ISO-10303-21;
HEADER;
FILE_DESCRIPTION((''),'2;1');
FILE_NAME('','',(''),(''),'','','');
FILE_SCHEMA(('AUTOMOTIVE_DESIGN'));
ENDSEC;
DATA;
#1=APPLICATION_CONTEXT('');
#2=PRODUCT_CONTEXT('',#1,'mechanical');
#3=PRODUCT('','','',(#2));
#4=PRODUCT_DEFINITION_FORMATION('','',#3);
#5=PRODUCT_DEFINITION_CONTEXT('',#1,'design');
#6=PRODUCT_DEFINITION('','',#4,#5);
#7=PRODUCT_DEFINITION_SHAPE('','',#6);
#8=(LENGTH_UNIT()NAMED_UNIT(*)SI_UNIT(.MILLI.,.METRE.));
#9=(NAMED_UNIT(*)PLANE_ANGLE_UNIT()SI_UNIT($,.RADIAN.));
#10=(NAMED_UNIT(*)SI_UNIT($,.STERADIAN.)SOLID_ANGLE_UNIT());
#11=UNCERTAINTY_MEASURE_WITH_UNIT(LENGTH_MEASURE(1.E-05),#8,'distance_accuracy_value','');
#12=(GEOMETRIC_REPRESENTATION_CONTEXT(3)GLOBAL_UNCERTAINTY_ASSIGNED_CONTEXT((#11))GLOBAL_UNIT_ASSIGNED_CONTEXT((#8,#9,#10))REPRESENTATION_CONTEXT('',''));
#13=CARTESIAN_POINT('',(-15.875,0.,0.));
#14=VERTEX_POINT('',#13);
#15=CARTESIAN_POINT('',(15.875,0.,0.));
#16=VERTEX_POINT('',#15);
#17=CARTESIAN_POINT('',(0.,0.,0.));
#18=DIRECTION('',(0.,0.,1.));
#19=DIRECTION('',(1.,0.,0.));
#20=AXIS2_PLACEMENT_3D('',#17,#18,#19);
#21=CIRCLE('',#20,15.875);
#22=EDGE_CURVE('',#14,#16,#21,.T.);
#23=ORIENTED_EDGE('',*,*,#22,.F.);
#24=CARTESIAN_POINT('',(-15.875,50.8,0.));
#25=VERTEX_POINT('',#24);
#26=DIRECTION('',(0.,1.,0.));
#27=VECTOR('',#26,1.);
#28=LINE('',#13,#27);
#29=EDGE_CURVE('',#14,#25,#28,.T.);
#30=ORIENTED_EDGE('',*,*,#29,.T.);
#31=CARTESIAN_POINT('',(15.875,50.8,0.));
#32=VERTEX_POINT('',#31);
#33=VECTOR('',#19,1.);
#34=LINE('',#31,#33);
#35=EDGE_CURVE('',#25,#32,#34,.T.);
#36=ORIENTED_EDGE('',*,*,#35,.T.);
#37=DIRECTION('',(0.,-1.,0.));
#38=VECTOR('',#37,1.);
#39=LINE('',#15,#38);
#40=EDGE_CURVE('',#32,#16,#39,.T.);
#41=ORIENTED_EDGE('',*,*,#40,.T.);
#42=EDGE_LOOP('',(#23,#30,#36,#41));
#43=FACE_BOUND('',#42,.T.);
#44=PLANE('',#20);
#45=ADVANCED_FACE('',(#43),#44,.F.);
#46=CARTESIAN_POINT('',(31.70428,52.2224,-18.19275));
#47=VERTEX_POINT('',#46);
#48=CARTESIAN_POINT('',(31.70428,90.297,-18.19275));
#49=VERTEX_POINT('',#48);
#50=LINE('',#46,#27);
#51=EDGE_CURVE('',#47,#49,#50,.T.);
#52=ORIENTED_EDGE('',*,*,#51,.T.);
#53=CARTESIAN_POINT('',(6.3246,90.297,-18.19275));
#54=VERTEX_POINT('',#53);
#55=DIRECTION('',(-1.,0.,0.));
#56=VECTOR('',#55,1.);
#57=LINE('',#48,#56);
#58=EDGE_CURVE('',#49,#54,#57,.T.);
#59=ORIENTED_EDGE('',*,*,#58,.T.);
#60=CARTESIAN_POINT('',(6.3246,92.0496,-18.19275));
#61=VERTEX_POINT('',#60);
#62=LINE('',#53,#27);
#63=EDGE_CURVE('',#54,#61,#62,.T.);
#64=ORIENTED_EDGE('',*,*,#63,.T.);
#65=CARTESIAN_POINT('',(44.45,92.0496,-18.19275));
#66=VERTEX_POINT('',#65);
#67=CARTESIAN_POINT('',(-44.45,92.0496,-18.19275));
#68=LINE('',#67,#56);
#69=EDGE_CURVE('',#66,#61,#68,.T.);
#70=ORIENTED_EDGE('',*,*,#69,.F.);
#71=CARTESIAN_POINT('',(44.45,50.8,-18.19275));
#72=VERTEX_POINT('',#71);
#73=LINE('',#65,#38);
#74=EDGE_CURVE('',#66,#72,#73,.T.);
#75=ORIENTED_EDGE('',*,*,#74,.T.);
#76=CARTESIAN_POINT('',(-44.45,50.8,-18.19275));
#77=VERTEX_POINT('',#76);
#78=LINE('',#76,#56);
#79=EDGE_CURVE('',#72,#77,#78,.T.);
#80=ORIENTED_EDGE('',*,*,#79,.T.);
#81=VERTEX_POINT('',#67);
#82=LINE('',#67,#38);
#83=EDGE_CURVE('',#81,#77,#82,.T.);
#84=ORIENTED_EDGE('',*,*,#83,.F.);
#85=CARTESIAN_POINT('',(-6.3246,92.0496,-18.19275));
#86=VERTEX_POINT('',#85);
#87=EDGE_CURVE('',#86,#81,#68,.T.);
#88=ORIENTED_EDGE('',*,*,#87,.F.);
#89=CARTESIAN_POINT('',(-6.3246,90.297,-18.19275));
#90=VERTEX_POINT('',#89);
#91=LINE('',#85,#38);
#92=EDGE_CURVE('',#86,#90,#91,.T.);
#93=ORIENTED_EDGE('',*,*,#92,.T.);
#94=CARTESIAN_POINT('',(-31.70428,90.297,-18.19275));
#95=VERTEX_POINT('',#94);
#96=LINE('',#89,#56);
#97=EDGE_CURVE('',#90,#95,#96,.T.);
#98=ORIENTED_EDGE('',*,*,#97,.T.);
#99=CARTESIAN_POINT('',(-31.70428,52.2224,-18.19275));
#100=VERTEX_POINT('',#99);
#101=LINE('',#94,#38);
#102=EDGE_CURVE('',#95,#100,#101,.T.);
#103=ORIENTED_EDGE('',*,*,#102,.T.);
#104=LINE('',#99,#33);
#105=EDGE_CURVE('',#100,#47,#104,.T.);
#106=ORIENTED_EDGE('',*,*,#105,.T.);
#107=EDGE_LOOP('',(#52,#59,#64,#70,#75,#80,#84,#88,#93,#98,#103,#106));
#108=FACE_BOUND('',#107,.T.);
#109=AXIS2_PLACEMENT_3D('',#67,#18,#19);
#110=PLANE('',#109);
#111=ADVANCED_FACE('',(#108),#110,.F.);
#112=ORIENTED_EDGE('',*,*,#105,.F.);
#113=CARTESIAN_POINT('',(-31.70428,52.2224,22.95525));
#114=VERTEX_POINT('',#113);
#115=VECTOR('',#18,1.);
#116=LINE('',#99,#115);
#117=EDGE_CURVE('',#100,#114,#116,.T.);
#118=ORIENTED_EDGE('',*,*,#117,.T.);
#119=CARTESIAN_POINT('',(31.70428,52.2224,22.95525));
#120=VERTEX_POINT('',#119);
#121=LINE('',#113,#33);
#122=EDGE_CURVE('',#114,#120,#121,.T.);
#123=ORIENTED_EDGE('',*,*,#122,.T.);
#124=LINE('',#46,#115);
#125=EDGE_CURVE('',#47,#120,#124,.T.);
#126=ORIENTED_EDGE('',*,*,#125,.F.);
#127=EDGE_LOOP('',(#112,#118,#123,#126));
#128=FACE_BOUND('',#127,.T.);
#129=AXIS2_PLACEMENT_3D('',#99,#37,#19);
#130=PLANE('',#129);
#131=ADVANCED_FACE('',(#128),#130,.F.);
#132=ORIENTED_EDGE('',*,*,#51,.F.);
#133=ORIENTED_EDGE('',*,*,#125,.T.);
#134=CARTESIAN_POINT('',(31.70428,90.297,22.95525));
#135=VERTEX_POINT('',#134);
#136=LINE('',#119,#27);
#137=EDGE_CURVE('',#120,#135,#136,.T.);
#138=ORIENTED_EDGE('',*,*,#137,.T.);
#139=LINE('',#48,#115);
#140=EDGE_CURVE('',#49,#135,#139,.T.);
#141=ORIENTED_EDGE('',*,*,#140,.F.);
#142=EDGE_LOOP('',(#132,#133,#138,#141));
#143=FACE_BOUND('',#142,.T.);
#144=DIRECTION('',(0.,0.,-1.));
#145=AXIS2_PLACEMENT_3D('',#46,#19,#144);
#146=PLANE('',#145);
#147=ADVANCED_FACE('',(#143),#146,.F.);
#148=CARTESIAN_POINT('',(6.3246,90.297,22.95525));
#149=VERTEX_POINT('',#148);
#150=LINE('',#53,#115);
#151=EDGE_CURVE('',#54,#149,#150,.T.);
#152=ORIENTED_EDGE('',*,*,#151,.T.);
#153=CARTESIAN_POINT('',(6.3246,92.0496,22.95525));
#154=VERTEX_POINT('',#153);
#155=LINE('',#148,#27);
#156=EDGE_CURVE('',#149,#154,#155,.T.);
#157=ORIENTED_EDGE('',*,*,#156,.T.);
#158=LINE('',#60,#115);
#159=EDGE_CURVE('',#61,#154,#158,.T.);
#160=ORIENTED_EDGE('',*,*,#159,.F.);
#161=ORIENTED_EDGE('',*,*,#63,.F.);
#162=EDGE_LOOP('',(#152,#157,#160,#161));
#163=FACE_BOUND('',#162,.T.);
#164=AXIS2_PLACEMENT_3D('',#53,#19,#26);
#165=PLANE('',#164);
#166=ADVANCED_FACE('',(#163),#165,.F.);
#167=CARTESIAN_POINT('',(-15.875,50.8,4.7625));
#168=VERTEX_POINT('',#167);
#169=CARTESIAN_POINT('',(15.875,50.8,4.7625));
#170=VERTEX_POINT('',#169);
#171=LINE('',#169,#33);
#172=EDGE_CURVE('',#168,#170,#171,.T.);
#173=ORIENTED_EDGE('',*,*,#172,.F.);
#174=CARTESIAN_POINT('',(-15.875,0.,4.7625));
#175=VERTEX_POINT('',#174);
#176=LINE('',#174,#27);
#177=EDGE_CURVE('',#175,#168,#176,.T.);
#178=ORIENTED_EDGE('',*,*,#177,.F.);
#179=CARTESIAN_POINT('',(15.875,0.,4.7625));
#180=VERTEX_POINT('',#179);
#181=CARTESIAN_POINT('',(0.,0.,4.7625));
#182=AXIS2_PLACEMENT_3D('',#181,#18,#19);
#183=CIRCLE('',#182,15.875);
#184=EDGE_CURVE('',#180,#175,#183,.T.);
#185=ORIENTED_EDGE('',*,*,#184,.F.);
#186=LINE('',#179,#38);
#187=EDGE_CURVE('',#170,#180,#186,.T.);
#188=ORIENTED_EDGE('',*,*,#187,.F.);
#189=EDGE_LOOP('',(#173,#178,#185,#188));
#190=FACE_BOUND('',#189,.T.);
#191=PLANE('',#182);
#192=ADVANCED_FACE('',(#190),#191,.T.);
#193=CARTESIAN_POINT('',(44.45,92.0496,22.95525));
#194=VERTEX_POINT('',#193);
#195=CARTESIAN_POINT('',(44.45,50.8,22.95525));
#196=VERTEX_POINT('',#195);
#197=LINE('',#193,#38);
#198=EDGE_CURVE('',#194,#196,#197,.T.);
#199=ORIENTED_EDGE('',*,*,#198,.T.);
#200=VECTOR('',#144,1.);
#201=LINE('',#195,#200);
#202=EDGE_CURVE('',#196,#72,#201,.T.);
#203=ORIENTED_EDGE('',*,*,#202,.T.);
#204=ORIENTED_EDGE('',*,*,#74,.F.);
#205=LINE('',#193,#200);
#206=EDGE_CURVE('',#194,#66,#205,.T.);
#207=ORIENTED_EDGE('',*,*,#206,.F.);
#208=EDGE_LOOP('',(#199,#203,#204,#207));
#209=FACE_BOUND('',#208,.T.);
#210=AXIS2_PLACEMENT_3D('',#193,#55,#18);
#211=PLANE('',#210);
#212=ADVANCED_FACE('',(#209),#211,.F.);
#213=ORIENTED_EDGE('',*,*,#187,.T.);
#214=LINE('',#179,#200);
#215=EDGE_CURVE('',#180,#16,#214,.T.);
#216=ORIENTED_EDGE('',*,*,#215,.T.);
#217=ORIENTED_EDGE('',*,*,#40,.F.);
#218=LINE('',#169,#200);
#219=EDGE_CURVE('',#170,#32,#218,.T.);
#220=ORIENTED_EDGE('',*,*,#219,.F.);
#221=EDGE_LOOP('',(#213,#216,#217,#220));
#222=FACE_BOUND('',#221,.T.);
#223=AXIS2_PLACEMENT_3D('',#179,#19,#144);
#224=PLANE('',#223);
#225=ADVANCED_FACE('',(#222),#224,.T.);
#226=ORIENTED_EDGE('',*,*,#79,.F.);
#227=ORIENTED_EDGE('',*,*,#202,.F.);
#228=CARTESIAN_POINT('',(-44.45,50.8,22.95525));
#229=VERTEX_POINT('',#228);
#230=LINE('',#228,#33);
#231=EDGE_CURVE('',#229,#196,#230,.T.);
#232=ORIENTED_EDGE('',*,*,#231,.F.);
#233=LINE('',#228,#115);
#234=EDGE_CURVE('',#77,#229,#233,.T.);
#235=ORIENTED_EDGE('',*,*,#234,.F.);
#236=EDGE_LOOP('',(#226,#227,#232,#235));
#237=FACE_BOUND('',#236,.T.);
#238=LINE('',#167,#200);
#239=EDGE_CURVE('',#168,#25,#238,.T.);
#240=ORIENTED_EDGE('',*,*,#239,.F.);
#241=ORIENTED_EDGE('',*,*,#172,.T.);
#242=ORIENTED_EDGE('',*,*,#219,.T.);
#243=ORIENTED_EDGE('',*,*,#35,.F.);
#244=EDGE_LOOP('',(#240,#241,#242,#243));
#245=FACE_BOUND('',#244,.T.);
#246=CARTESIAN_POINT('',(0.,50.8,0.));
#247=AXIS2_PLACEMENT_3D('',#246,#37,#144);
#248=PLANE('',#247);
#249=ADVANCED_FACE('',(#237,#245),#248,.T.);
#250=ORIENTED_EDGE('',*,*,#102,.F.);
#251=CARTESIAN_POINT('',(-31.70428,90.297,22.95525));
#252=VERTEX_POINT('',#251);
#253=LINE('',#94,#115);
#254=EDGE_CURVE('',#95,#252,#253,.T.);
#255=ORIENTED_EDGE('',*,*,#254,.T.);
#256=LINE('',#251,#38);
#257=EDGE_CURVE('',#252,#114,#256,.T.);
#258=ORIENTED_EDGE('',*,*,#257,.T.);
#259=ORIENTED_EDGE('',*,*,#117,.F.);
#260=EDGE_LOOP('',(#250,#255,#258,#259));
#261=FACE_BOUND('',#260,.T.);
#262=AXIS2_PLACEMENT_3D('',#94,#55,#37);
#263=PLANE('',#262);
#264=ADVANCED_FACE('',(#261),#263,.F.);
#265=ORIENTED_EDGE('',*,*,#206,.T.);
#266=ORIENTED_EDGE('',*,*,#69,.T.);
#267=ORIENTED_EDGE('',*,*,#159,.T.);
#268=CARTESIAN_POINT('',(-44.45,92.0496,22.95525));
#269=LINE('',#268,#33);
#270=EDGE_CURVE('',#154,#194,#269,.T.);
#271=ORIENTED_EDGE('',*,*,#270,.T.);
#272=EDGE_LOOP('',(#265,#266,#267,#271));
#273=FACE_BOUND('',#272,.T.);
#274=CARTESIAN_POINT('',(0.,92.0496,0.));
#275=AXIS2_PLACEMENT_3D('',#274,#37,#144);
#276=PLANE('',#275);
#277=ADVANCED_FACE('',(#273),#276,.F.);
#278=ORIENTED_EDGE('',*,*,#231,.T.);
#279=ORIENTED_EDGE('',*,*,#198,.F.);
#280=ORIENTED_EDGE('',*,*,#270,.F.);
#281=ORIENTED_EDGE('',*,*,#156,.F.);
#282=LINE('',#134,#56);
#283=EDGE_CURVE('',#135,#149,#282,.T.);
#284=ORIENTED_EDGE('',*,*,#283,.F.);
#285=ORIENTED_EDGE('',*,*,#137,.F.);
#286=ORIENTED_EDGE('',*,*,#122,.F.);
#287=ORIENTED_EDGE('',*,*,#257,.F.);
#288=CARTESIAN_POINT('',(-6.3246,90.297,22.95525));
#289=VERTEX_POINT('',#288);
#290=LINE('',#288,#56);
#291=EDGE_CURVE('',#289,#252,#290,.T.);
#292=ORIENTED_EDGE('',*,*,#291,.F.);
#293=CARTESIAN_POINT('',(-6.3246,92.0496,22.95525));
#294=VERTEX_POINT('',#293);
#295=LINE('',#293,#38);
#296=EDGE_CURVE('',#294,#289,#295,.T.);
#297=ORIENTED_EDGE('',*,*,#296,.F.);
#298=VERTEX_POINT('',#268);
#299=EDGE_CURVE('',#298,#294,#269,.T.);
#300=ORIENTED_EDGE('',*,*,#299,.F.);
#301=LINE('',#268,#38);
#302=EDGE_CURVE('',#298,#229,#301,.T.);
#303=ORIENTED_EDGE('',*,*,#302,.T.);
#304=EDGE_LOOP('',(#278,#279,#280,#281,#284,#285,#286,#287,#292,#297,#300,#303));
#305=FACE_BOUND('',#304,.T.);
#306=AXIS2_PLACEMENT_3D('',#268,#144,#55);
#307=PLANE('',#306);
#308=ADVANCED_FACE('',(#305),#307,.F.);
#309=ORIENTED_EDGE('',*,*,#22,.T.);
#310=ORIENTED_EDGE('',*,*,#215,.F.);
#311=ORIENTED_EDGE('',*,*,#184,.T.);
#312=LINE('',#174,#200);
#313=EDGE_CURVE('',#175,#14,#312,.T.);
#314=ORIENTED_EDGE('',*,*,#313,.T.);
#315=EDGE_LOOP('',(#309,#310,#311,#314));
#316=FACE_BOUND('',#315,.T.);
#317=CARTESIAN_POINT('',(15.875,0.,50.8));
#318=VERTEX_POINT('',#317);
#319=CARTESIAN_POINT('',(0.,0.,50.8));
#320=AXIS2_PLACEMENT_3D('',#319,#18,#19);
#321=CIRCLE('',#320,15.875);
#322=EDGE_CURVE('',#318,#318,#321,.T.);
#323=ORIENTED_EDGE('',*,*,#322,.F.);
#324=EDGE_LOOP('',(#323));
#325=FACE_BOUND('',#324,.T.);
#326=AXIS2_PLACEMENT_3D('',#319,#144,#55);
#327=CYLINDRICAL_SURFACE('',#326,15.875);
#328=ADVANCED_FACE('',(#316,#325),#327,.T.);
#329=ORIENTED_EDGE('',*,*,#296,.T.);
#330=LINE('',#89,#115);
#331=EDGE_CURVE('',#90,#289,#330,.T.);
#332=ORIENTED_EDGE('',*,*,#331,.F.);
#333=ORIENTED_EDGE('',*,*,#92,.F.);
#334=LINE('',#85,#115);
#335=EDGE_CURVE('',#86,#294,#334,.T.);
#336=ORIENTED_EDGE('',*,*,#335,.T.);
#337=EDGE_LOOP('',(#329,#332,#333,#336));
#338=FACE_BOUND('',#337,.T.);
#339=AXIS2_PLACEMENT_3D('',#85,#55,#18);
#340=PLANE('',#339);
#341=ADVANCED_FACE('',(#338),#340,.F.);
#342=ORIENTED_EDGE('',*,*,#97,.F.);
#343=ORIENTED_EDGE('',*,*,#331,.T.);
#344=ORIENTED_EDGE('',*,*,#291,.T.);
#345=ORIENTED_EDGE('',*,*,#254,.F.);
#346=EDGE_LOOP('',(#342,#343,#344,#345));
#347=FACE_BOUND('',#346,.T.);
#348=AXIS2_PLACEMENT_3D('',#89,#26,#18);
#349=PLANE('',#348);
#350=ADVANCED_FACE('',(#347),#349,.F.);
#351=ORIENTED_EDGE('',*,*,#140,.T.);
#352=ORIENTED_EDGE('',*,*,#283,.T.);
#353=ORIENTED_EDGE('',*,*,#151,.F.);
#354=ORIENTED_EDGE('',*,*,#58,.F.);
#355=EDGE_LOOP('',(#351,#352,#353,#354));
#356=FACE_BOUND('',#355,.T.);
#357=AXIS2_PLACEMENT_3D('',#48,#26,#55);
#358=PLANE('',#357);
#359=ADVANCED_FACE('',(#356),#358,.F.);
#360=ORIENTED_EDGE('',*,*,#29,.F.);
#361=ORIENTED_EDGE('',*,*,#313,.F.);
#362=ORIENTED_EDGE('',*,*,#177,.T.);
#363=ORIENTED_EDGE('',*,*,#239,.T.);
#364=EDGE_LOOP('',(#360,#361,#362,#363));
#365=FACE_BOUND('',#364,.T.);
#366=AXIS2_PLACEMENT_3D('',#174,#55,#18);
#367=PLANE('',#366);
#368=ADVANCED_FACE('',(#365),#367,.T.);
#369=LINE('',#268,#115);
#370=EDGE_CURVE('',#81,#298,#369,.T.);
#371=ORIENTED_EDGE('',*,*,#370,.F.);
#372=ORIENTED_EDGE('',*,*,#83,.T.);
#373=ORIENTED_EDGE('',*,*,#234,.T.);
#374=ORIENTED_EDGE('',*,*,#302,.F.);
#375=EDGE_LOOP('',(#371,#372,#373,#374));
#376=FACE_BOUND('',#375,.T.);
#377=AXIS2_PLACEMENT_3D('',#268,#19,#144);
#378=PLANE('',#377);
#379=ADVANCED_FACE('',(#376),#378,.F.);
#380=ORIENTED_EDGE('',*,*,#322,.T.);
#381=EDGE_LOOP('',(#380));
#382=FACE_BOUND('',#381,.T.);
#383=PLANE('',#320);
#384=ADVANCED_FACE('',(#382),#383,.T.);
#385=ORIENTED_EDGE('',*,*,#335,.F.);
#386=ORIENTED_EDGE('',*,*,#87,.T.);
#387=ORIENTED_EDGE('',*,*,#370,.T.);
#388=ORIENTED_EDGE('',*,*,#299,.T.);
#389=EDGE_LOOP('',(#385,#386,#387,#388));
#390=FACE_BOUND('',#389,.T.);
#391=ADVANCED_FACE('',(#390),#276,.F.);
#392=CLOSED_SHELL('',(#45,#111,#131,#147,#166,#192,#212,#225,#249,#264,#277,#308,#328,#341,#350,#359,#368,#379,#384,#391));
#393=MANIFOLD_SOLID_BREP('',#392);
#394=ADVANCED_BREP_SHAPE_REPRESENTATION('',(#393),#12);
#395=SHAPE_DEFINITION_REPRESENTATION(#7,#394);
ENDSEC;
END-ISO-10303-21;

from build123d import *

# Parameters (mm, degrees)
SKETCH1_R           = 15.875
BOSS_EXTRUDE1_DEPTH = 50.8
SKETCH2_W           = 31.75
SKETCH2_H           = 50.8
BOSS_EXTRUDE2_DEPTH = 4.7625
SKETCH3_W           = 88.9
SKETCH3_H           = 41.148
BOSS_EXTRUDE3_DEPTH = 41.2496
CUT_EXTRUDE2_DEPTH  = 111.191148756


with BuildPart() as part:
    # Sketch1 → Boss-Extrude1 (new body)
    with BuildSketch(Plane.XY):
        Circle(SKETCH1_R)
    extrude(amount=BOSS_EXTRUDE1_DEPTH)

    # Sketch2 → Boss-Extrude2 (add)
    with BuildSketch(Plane(origin=(0, 0, 0), x_dir=(-1, 0, 0), z_dir=(0, 0, -1))):
        with Locations((0, 25.4)):
            Rectangle(SKETCH2_W, SKETCH2_H)
    extrude(amount=-BOSS_EXTRUDE2_DEPTH)

    # Sketch3 → Boss-Extrude3 (add)
    with BuildSketch(Plane(origin=(0, 50.8, 0), x_dir=(1, 0, 0), z_dir=(0, 1, 0))):
        with Locations((0, -2.38125)):
            Rectangle(SKETCH3_W, SKETCH3_H)
    extrude(amount=BOSS_EXTRUDE3_DEPTH)

    # Sketch5 → Cut-Extrude2 (cut, through all)
    with BuildSketch(Plane.XY.offset(22.95525)):
        Polygon((-6.3246, 92.0496), (-6.3246, 90.297), (-31.70428, 90.297), (-31.70428, 52.2224), (31.70428, 52.2224), (31.70428, 90.297), (6.3246, 90.297), (6.3246, 92.0496), align=None)
    extrude(amount=-CUT_EXTRUDE2_DEPTH, mode=Mode.SUBTRACT)


solid = part.part
